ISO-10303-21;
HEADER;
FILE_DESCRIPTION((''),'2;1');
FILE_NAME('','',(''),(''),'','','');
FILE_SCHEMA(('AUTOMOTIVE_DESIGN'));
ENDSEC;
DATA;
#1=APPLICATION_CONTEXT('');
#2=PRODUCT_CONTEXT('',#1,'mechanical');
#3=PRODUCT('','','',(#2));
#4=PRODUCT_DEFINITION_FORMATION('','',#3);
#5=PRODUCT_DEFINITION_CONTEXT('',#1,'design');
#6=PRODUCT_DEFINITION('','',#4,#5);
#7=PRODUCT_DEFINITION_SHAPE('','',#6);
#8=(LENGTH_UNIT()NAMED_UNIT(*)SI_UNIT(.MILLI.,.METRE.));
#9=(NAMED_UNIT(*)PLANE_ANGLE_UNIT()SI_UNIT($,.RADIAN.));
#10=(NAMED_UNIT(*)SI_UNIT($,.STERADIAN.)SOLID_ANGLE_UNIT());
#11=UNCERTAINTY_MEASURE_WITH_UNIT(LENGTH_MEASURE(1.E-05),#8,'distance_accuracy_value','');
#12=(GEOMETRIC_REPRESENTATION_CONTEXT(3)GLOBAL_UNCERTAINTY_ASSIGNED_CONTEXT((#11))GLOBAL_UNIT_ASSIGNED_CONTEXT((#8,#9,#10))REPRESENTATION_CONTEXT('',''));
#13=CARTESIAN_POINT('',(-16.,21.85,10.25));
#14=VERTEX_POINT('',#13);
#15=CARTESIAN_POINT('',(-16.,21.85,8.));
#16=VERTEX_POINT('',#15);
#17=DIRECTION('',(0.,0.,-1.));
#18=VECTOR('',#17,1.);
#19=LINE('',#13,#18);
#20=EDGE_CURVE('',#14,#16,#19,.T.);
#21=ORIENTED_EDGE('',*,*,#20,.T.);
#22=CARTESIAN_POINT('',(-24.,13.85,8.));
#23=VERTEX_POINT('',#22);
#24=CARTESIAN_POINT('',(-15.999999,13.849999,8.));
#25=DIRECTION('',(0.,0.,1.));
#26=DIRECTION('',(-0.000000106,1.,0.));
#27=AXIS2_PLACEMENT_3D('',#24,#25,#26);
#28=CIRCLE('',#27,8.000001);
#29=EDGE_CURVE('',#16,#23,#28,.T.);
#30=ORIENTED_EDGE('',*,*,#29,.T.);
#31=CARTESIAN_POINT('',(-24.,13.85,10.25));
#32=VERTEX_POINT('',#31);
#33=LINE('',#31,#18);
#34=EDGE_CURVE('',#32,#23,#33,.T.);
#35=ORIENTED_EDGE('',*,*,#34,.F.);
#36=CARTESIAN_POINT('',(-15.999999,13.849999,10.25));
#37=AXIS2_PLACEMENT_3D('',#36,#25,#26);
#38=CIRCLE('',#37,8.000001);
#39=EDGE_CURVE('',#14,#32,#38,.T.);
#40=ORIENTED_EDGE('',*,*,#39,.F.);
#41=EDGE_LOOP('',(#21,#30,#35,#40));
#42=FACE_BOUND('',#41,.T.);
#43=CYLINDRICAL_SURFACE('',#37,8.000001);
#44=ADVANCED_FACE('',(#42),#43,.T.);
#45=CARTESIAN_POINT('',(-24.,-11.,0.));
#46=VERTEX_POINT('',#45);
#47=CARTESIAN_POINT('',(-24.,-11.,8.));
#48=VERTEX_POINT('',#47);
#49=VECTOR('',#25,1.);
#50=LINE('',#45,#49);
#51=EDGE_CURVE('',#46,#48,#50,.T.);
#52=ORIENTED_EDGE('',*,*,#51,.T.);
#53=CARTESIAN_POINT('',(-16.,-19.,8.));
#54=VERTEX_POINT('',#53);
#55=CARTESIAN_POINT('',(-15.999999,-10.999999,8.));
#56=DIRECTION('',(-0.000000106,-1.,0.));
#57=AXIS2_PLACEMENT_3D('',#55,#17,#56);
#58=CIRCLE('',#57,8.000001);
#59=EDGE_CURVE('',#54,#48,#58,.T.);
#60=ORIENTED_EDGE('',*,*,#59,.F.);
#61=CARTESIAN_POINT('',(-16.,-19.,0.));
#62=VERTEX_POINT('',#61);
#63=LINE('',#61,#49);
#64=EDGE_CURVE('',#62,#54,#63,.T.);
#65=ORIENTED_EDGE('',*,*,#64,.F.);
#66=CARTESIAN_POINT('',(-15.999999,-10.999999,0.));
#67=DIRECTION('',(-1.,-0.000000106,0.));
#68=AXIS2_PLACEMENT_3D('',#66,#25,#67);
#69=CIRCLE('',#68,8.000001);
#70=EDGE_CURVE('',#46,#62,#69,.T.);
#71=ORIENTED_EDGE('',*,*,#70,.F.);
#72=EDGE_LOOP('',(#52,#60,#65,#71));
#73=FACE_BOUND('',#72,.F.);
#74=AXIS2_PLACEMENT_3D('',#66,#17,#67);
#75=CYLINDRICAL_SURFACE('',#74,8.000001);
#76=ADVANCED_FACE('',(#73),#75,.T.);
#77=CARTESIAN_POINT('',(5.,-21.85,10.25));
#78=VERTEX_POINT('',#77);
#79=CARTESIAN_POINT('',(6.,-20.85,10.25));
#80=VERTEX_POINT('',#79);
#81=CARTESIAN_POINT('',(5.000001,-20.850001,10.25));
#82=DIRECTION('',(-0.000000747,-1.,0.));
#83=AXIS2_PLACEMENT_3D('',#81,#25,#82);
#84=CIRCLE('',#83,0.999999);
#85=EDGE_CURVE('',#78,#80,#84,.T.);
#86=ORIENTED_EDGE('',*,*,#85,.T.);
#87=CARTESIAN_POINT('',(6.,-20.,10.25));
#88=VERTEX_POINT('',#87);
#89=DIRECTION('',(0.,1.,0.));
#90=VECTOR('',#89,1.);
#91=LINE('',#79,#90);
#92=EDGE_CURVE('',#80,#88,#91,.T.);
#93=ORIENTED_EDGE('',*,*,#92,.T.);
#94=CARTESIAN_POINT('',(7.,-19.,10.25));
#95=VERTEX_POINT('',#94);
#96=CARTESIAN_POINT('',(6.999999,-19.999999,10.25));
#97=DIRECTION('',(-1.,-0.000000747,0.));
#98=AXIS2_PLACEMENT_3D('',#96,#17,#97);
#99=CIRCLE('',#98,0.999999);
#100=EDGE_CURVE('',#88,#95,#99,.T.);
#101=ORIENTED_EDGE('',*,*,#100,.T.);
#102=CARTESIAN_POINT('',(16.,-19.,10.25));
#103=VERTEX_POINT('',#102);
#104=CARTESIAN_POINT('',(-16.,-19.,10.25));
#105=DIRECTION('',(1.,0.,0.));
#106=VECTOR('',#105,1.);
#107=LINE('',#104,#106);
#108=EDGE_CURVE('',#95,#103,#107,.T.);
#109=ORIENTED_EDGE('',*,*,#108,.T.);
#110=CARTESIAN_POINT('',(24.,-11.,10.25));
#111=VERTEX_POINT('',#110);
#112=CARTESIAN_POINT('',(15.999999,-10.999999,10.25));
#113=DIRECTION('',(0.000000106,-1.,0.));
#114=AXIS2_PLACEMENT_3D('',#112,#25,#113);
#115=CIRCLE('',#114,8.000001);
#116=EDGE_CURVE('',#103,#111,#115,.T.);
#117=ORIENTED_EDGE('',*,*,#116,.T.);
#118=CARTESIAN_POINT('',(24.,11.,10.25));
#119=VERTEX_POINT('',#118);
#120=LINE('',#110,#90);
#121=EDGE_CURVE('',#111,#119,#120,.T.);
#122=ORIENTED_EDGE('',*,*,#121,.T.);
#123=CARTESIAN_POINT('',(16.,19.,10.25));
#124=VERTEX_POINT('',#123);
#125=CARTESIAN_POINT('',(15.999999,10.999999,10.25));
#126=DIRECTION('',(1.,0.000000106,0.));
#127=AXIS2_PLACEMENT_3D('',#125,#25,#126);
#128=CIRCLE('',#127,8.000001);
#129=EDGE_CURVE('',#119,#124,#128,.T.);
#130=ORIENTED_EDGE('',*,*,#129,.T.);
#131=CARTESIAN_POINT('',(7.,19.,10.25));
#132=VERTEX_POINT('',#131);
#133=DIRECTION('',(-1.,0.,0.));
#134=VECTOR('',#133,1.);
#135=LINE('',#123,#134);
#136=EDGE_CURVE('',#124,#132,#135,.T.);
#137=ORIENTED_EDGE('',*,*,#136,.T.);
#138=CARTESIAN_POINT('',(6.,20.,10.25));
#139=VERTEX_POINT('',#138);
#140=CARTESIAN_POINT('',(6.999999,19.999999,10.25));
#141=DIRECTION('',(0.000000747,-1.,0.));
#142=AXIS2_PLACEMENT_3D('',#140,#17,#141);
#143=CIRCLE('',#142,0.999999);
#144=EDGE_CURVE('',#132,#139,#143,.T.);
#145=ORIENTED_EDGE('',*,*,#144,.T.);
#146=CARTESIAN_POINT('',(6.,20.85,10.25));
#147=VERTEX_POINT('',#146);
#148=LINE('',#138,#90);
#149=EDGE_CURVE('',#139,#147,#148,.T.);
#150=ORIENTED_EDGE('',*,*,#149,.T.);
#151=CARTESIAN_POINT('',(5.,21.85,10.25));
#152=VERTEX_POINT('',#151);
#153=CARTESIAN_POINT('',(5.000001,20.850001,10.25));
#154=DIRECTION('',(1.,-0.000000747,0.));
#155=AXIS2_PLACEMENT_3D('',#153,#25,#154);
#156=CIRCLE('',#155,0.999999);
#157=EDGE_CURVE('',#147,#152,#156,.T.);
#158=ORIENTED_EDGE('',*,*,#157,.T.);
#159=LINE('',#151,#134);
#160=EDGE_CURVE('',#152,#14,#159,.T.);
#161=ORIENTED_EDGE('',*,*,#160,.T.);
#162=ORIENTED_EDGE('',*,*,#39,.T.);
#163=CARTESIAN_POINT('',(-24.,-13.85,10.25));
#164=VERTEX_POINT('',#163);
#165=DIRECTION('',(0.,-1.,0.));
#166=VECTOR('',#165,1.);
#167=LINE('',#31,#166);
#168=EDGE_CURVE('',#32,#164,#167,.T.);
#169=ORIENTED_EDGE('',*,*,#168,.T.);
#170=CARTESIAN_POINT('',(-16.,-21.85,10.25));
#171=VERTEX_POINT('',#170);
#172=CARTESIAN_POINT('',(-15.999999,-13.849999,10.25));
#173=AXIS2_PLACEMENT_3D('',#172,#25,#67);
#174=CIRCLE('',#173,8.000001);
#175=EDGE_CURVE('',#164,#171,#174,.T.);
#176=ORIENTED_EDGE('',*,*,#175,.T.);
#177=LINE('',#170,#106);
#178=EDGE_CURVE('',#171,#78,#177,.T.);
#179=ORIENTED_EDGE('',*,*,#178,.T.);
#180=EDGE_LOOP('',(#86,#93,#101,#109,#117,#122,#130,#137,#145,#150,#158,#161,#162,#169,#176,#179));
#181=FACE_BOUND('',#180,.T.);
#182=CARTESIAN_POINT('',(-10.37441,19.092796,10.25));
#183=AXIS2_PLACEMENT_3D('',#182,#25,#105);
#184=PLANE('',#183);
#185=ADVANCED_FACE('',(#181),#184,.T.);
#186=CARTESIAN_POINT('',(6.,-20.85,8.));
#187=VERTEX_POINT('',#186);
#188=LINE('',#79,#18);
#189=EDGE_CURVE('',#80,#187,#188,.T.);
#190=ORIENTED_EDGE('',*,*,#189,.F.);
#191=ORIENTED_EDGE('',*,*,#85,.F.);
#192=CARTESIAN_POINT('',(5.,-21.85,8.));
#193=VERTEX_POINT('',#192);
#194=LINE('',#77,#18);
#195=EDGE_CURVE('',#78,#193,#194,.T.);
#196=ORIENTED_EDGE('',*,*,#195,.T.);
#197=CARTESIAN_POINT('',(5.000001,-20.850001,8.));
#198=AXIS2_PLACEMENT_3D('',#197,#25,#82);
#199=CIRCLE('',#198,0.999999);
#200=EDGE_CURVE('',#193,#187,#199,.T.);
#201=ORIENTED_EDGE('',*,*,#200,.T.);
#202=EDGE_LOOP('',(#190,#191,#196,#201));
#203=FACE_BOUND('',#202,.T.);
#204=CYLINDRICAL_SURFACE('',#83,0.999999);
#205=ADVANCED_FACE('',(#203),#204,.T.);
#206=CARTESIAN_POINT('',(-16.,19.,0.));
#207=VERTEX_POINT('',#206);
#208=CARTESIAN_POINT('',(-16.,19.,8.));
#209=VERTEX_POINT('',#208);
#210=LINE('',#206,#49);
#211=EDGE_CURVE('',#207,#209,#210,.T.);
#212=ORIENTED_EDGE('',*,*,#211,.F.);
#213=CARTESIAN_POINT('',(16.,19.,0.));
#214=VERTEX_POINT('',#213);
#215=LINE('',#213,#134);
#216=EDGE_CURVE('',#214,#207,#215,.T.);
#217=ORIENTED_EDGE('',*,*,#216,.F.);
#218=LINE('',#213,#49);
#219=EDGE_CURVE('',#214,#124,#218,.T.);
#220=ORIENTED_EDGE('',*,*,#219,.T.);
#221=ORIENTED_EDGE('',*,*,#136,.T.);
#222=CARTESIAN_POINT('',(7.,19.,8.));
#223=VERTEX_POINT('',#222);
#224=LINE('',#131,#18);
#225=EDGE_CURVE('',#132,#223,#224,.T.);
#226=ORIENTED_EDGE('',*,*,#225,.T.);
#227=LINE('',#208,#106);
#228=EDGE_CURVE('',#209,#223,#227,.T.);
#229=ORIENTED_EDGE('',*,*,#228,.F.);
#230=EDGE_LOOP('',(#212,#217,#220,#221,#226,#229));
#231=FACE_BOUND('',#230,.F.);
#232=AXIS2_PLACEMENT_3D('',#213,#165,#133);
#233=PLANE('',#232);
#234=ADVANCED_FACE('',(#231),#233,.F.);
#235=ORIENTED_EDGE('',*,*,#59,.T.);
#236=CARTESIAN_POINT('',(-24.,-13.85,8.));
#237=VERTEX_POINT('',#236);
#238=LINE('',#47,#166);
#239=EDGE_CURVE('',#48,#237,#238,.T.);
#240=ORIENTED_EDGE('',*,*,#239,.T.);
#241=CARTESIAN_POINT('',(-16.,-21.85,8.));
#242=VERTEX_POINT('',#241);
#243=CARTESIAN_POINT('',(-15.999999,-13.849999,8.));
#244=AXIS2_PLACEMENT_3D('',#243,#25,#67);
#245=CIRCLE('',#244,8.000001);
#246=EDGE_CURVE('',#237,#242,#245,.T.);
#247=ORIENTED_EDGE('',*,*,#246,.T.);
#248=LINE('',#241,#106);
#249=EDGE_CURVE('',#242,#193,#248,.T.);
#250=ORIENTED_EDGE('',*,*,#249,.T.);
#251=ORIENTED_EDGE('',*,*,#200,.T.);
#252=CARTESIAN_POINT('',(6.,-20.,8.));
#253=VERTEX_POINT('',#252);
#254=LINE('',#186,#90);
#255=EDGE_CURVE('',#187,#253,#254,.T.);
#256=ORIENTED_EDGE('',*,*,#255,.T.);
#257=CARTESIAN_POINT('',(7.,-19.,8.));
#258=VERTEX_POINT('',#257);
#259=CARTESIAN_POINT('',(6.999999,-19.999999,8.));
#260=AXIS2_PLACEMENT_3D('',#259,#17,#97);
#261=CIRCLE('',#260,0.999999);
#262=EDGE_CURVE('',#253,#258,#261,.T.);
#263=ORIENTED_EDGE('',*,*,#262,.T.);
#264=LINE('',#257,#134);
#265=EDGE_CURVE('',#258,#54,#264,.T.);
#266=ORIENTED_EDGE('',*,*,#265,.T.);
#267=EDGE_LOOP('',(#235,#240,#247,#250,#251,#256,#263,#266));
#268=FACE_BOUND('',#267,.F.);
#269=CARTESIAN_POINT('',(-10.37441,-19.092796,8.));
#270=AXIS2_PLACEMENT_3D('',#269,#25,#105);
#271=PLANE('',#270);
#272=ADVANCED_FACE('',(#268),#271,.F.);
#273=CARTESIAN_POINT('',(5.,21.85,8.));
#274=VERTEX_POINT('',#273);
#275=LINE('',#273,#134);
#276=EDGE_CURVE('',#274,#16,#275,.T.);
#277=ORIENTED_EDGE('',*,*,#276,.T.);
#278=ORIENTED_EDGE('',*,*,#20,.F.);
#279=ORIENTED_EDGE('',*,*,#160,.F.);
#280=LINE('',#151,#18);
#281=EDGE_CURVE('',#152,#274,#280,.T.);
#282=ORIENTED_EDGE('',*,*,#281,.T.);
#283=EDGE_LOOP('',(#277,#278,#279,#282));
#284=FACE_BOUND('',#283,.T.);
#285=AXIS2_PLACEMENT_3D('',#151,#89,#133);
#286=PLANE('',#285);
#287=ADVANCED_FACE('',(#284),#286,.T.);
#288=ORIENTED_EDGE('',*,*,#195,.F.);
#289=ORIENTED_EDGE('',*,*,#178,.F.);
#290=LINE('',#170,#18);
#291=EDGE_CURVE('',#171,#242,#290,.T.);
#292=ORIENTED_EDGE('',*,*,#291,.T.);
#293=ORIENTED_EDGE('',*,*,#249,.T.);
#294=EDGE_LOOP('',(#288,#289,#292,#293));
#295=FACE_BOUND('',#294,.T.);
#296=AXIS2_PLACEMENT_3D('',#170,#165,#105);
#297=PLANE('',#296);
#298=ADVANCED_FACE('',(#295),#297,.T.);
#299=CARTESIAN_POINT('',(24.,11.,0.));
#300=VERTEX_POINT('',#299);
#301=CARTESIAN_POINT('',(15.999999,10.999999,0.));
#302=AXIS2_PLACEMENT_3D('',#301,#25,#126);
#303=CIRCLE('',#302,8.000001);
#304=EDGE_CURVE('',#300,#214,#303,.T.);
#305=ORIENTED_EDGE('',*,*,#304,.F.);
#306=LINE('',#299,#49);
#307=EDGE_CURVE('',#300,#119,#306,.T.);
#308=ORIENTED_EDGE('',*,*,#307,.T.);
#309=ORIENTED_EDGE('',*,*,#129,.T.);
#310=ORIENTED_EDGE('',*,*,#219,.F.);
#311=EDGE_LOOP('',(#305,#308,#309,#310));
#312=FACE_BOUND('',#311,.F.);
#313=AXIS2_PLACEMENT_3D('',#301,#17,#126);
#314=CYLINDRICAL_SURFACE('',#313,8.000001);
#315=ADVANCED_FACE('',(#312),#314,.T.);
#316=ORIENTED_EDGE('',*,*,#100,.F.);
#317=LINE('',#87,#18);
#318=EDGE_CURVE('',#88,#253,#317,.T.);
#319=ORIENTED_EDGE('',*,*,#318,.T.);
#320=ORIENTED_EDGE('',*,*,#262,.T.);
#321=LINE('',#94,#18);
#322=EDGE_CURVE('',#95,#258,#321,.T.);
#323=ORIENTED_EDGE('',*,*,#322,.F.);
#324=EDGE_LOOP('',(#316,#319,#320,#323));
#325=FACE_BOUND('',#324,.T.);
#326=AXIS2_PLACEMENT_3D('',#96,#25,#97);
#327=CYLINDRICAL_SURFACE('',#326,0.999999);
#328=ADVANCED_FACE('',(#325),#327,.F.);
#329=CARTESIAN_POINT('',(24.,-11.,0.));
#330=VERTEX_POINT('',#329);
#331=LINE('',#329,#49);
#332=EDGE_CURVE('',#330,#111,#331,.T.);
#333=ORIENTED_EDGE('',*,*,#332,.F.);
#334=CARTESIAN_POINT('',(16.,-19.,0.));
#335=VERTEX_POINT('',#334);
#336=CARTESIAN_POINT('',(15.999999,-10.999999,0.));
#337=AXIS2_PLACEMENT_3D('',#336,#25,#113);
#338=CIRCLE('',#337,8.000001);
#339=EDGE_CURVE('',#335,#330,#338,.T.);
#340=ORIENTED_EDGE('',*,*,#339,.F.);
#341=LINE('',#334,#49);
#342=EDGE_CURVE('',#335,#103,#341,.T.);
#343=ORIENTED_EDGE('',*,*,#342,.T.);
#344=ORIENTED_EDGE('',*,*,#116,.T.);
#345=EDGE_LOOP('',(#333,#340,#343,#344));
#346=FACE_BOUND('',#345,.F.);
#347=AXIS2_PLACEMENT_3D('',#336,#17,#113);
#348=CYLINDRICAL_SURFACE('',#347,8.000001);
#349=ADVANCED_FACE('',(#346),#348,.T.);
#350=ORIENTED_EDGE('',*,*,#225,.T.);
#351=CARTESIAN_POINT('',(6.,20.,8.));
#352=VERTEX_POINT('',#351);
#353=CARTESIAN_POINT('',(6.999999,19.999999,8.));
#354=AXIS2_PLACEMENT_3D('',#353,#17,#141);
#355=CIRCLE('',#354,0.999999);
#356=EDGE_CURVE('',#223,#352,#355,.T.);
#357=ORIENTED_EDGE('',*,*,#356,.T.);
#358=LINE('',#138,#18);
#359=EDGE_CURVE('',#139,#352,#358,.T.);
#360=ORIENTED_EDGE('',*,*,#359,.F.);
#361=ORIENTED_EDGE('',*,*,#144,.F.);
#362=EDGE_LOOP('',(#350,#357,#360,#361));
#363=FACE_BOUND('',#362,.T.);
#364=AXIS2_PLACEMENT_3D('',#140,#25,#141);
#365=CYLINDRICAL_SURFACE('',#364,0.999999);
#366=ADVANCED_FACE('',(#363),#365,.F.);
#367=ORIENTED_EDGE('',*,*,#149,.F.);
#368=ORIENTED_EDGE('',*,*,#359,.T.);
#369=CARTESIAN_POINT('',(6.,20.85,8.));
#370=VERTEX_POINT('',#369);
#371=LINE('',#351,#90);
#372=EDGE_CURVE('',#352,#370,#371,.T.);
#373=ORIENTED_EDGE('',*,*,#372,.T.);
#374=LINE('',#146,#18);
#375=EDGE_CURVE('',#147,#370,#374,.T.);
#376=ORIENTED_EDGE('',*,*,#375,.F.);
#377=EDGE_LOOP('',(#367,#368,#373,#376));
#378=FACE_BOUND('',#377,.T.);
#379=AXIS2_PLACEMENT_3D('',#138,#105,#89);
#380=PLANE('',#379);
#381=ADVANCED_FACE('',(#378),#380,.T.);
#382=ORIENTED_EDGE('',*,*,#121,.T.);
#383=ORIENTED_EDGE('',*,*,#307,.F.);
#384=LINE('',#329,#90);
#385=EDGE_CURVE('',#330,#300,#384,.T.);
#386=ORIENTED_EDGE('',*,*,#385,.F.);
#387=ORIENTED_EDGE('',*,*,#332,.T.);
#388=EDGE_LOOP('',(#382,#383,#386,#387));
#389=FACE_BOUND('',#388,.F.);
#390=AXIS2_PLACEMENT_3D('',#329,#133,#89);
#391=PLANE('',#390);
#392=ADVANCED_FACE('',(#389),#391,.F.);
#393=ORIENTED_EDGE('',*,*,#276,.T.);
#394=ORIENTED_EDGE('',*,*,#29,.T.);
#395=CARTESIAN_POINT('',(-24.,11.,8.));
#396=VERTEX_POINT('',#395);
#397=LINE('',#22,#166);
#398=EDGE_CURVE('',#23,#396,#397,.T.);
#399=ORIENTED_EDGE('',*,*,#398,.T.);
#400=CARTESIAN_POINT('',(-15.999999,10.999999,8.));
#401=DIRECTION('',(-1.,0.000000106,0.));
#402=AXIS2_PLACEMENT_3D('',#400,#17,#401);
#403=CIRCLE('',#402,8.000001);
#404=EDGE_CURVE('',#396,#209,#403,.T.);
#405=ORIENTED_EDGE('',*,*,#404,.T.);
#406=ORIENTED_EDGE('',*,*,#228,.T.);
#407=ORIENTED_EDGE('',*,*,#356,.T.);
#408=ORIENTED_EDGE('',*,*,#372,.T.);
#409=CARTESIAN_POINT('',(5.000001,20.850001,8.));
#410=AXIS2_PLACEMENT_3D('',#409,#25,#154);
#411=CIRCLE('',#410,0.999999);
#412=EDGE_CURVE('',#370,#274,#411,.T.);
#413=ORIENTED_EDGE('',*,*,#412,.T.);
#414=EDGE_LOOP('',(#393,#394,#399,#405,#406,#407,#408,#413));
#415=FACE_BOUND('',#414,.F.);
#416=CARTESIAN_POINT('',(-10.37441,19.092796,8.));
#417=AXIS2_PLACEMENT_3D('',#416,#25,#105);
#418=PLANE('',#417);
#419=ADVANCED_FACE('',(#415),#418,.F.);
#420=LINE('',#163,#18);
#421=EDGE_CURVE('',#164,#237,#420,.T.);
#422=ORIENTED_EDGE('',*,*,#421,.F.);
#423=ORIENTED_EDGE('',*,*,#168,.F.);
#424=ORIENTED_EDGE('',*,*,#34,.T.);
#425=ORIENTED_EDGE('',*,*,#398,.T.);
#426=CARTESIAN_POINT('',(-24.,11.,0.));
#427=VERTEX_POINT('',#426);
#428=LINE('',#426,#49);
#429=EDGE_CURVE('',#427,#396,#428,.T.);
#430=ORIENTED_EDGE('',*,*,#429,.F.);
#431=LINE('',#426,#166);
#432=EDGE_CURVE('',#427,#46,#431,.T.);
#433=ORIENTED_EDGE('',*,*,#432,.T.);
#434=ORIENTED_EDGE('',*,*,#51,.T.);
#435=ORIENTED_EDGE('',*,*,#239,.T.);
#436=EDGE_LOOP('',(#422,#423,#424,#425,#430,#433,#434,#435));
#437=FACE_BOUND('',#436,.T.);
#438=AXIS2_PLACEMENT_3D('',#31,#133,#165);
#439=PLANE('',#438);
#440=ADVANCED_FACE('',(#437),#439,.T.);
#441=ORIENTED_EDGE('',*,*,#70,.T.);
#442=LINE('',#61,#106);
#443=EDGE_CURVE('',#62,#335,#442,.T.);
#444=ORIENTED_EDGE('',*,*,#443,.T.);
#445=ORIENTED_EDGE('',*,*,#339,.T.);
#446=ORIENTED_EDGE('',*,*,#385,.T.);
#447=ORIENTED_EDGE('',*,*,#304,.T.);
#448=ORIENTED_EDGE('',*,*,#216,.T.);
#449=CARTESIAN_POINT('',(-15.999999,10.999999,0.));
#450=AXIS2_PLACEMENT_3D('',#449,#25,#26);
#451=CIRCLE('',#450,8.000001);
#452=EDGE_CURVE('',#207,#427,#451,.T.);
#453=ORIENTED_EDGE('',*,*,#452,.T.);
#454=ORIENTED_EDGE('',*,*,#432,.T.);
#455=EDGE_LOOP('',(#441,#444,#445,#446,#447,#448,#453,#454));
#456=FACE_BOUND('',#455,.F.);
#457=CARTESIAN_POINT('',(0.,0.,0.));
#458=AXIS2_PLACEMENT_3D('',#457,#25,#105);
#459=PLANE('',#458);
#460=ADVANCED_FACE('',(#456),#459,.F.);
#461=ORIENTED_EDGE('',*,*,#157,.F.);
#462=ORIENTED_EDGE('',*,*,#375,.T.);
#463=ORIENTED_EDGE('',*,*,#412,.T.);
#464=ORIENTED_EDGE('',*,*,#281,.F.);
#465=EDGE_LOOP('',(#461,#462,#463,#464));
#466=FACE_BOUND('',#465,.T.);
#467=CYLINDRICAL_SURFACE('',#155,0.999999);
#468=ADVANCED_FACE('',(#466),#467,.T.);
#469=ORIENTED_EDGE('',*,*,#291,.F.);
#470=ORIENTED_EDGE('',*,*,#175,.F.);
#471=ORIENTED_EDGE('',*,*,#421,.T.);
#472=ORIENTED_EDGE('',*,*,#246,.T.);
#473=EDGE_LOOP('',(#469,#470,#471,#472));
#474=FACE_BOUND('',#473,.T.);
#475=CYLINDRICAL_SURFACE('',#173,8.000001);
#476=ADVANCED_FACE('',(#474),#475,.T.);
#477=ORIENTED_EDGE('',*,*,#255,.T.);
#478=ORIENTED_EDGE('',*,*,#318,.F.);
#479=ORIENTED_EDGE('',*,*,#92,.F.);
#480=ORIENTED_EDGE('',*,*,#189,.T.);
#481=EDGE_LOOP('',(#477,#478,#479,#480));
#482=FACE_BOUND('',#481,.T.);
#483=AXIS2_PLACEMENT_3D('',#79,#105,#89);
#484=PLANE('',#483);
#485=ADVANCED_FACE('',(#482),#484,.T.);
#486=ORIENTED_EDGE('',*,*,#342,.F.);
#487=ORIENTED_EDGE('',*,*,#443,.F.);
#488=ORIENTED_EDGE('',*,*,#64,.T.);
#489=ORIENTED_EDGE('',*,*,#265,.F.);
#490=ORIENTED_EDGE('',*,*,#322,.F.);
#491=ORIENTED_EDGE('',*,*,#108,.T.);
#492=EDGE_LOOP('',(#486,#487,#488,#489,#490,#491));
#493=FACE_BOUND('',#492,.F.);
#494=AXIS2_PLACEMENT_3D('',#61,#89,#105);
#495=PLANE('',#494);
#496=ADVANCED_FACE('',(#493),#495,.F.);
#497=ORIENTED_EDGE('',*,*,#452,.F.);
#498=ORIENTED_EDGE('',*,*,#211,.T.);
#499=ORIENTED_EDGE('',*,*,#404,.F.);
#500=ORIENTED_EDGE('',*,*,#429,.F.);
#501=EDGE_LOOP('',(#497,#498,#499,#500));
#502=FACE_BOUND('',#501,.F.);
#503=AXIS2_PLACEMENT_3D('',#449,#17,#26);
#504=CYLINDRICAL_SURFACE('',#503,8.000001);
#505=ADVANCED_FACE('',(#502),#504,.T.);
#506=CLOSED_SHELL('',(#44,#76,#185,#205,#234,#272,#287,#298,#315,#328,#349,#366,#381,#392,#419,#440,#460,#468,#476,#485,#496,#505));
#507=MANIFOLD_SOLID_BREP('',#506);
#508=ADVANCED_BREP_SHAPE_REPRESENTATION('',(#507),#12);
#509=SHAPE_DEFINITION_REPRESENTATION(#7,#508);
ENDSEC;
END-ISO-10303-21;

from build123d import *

# Parameters (mm, degrees)
F1_DEPTH = 10.25
F3_DEPTH = 2.25


with BuildPart() as f1:
    # F0 (on Top) → F1 (new body)
    with BuildSketch(Plane.XY):
        with BuildLine():
            Line((16, 19), (-16, 19))
            ThreePointArc((-16, 19), (-21.656854, 16.656854), (-24, 11))
            Line((-24, 11), (-24, -11))
            ThreePointArc((-24, -11), (-21.656854, -16.656854), (-16, -19))
            Line((-16, -19), (16, -19))
            ThreePointArc((16, -19), (21.656854, -16.656854), (24, -11))
            Line((24, -11), (24, 11))
            ThreePointArc((24, 11), (21.656854, 16.656854), (16, 19))
        make_face()
    extrude(amount=F1_DEPTH)

    # F2 (on face) → F3 (join)
    with BuildSketch(Plane.XY.offset(10.25)):
        with BuildLine():
            Line((5, 21.85), (-16, 21.85))
            ThreePointArc((-16, 21.85), (-21.656854, 19.506854), (-24, 13.85))
            Line((-24, 13.85), (-24, 11))
            ThreePointArc((-24, 11), (-21.656854, 16.656854), (-16, 19))
            Line((-16, 19), (7, 19))
            ThreePointArc((7, 19), (6.292893, 19.292893), (6, 20))
            Line((6, 20), (6, 20.85))
            ThreePointArc((6, 20.85), (5.707107, 21.557107), (5, 21.85))
        make_face()
        with BuildLine():
            ThreePointArc((-16, -19), (-21.656854, -16.656854), (-24, -11))
            Line((-24, -11), (-24, -13.85))
            ThreePointArc((-24, -13.85), (-21.656854, -19.506854), (-16, -21.85))
            Line((-16, -21.85), (5, -21.85))
            ThreePointArc((5, -21.85), (5.707107, -21.557107), (6, -20.85))
            Line((6, -20.85), (6, -20))
            ThreePointArc((6, -20), (6.292893, -19.292893), (7, -19))
            Line((7, -19), (-16, -19))
        make_face()
    extrude(amount=-F3_DEPTH)


solid = f1.part
